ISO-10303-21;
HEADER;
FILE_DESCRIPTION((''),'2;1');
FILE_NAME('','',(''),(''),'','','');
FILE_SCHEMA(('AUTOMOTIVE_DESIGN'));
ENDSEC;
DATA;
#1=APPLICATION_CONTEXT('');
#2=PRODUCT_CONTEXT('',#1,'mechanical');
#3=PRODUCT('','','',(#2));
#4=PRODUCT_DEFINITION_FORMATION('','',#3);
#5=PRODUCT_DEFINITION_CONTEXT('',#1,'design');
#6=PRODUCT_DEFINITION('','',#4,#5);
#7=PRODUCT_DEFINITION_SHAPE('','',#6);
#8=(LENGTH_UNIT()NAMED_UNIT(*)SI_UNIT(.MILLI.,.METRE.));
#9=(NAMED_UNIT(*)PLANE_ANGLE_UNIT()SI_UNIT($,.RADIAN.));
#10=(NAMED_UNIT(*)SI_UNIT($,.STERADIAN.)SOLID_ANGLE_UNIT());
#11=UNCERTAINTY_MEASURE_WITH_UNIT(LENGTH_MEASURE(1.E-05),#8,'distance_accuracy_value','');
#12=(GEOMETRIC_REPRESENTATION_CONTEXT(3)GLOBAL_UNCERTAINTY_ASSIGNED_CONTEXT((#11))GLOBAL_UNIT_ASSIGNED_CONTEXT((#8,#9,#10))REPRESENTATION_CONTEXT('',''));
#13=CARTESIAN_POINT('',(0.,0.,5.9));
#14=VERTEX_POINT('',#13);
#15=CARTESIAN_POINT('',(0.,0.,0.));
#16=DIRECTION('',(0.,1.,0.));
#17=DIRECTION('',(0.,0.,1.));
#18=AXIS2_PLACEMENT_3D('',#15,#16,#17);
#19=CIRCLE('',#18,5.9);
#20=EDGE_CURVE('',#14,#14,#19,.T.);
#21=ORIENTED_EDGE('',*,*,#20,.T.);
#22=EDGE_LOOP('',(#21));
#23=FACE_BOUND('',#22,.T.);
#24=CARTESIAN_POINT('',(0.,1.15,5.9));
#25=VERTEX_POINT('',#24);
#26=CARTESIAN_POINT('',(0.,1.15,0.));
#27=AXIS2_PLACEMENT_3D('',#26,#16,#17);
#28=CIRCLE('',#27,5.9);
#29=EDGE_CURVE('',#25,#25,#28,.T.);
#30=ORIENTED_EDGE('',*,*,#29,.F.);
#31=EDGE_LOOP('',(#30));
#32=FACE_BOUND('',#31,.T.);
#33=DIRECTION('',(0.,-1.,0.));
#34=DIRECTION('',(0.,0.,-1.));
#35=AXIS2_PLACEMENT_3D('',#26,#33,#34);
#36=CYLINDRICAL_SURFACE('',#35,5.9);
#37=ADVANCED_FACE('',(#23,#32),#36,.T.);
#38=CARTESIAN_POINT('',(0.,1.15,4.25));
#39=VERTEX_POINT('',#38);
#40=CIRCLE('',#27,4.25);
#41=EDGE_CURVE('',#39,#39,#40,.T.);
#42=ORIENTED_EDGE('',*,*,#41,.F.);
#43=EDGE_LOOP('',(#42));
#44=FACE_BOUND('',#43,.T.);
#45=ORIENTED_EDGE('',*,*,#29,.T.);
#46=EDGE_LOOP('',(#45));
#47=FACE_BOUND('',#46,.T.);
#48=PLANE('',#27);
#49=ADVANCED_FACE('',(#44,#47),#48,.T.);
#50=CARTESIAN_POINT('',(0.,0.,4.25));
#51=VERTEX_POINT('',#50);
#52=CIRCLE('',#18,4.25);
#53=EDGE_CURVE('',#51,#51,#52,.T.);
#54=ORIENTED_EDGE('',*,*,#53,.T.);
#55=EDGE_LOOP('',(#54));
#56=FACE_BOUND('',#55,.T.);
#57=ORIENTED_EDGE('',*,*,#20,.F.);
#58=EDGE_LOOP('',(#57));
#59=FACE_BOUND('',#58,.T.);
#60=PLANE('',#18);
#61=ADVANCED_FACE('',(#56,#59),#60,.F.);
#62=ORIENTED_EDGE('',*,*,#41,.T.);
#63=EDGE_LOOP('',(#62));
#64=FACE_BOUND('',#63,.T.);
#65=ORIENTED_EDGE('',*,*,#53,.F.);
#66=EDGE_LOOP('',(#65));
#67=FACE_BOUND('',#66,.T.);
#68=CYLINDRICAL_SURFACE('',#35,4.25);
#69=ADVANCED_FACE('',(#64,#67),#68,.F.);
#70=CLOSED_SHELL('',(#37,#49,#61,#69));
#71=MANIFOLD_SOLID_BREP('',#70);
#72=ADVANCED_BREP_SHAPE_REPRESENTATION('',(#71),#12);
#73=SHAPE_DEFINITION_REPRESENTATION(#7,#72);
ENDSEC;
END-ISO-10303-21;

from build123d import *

# Parameters (mm, degrees)
SKETCH1_R           = 5.9
SKETCH1_R_2         = 4.25
BOSS_EXTRUDE1_DEPTH = 1.15


with BuildPart() as part:
    # Sketch1 → Boss-Extrude1 (new body)
    with BuildSketch(Plane(origin=(0, 0, 0), x_dir=(1, 0, 0), z_dir=(0, 1, 0))):
        Circle(SKETCH1_R)
        Circle(SKETCH1_R_2, mode=Mode.SUBTRACT)
    extrude(amount=BOSS_EXTRUDE1_DEPTH)


solid = part.part
